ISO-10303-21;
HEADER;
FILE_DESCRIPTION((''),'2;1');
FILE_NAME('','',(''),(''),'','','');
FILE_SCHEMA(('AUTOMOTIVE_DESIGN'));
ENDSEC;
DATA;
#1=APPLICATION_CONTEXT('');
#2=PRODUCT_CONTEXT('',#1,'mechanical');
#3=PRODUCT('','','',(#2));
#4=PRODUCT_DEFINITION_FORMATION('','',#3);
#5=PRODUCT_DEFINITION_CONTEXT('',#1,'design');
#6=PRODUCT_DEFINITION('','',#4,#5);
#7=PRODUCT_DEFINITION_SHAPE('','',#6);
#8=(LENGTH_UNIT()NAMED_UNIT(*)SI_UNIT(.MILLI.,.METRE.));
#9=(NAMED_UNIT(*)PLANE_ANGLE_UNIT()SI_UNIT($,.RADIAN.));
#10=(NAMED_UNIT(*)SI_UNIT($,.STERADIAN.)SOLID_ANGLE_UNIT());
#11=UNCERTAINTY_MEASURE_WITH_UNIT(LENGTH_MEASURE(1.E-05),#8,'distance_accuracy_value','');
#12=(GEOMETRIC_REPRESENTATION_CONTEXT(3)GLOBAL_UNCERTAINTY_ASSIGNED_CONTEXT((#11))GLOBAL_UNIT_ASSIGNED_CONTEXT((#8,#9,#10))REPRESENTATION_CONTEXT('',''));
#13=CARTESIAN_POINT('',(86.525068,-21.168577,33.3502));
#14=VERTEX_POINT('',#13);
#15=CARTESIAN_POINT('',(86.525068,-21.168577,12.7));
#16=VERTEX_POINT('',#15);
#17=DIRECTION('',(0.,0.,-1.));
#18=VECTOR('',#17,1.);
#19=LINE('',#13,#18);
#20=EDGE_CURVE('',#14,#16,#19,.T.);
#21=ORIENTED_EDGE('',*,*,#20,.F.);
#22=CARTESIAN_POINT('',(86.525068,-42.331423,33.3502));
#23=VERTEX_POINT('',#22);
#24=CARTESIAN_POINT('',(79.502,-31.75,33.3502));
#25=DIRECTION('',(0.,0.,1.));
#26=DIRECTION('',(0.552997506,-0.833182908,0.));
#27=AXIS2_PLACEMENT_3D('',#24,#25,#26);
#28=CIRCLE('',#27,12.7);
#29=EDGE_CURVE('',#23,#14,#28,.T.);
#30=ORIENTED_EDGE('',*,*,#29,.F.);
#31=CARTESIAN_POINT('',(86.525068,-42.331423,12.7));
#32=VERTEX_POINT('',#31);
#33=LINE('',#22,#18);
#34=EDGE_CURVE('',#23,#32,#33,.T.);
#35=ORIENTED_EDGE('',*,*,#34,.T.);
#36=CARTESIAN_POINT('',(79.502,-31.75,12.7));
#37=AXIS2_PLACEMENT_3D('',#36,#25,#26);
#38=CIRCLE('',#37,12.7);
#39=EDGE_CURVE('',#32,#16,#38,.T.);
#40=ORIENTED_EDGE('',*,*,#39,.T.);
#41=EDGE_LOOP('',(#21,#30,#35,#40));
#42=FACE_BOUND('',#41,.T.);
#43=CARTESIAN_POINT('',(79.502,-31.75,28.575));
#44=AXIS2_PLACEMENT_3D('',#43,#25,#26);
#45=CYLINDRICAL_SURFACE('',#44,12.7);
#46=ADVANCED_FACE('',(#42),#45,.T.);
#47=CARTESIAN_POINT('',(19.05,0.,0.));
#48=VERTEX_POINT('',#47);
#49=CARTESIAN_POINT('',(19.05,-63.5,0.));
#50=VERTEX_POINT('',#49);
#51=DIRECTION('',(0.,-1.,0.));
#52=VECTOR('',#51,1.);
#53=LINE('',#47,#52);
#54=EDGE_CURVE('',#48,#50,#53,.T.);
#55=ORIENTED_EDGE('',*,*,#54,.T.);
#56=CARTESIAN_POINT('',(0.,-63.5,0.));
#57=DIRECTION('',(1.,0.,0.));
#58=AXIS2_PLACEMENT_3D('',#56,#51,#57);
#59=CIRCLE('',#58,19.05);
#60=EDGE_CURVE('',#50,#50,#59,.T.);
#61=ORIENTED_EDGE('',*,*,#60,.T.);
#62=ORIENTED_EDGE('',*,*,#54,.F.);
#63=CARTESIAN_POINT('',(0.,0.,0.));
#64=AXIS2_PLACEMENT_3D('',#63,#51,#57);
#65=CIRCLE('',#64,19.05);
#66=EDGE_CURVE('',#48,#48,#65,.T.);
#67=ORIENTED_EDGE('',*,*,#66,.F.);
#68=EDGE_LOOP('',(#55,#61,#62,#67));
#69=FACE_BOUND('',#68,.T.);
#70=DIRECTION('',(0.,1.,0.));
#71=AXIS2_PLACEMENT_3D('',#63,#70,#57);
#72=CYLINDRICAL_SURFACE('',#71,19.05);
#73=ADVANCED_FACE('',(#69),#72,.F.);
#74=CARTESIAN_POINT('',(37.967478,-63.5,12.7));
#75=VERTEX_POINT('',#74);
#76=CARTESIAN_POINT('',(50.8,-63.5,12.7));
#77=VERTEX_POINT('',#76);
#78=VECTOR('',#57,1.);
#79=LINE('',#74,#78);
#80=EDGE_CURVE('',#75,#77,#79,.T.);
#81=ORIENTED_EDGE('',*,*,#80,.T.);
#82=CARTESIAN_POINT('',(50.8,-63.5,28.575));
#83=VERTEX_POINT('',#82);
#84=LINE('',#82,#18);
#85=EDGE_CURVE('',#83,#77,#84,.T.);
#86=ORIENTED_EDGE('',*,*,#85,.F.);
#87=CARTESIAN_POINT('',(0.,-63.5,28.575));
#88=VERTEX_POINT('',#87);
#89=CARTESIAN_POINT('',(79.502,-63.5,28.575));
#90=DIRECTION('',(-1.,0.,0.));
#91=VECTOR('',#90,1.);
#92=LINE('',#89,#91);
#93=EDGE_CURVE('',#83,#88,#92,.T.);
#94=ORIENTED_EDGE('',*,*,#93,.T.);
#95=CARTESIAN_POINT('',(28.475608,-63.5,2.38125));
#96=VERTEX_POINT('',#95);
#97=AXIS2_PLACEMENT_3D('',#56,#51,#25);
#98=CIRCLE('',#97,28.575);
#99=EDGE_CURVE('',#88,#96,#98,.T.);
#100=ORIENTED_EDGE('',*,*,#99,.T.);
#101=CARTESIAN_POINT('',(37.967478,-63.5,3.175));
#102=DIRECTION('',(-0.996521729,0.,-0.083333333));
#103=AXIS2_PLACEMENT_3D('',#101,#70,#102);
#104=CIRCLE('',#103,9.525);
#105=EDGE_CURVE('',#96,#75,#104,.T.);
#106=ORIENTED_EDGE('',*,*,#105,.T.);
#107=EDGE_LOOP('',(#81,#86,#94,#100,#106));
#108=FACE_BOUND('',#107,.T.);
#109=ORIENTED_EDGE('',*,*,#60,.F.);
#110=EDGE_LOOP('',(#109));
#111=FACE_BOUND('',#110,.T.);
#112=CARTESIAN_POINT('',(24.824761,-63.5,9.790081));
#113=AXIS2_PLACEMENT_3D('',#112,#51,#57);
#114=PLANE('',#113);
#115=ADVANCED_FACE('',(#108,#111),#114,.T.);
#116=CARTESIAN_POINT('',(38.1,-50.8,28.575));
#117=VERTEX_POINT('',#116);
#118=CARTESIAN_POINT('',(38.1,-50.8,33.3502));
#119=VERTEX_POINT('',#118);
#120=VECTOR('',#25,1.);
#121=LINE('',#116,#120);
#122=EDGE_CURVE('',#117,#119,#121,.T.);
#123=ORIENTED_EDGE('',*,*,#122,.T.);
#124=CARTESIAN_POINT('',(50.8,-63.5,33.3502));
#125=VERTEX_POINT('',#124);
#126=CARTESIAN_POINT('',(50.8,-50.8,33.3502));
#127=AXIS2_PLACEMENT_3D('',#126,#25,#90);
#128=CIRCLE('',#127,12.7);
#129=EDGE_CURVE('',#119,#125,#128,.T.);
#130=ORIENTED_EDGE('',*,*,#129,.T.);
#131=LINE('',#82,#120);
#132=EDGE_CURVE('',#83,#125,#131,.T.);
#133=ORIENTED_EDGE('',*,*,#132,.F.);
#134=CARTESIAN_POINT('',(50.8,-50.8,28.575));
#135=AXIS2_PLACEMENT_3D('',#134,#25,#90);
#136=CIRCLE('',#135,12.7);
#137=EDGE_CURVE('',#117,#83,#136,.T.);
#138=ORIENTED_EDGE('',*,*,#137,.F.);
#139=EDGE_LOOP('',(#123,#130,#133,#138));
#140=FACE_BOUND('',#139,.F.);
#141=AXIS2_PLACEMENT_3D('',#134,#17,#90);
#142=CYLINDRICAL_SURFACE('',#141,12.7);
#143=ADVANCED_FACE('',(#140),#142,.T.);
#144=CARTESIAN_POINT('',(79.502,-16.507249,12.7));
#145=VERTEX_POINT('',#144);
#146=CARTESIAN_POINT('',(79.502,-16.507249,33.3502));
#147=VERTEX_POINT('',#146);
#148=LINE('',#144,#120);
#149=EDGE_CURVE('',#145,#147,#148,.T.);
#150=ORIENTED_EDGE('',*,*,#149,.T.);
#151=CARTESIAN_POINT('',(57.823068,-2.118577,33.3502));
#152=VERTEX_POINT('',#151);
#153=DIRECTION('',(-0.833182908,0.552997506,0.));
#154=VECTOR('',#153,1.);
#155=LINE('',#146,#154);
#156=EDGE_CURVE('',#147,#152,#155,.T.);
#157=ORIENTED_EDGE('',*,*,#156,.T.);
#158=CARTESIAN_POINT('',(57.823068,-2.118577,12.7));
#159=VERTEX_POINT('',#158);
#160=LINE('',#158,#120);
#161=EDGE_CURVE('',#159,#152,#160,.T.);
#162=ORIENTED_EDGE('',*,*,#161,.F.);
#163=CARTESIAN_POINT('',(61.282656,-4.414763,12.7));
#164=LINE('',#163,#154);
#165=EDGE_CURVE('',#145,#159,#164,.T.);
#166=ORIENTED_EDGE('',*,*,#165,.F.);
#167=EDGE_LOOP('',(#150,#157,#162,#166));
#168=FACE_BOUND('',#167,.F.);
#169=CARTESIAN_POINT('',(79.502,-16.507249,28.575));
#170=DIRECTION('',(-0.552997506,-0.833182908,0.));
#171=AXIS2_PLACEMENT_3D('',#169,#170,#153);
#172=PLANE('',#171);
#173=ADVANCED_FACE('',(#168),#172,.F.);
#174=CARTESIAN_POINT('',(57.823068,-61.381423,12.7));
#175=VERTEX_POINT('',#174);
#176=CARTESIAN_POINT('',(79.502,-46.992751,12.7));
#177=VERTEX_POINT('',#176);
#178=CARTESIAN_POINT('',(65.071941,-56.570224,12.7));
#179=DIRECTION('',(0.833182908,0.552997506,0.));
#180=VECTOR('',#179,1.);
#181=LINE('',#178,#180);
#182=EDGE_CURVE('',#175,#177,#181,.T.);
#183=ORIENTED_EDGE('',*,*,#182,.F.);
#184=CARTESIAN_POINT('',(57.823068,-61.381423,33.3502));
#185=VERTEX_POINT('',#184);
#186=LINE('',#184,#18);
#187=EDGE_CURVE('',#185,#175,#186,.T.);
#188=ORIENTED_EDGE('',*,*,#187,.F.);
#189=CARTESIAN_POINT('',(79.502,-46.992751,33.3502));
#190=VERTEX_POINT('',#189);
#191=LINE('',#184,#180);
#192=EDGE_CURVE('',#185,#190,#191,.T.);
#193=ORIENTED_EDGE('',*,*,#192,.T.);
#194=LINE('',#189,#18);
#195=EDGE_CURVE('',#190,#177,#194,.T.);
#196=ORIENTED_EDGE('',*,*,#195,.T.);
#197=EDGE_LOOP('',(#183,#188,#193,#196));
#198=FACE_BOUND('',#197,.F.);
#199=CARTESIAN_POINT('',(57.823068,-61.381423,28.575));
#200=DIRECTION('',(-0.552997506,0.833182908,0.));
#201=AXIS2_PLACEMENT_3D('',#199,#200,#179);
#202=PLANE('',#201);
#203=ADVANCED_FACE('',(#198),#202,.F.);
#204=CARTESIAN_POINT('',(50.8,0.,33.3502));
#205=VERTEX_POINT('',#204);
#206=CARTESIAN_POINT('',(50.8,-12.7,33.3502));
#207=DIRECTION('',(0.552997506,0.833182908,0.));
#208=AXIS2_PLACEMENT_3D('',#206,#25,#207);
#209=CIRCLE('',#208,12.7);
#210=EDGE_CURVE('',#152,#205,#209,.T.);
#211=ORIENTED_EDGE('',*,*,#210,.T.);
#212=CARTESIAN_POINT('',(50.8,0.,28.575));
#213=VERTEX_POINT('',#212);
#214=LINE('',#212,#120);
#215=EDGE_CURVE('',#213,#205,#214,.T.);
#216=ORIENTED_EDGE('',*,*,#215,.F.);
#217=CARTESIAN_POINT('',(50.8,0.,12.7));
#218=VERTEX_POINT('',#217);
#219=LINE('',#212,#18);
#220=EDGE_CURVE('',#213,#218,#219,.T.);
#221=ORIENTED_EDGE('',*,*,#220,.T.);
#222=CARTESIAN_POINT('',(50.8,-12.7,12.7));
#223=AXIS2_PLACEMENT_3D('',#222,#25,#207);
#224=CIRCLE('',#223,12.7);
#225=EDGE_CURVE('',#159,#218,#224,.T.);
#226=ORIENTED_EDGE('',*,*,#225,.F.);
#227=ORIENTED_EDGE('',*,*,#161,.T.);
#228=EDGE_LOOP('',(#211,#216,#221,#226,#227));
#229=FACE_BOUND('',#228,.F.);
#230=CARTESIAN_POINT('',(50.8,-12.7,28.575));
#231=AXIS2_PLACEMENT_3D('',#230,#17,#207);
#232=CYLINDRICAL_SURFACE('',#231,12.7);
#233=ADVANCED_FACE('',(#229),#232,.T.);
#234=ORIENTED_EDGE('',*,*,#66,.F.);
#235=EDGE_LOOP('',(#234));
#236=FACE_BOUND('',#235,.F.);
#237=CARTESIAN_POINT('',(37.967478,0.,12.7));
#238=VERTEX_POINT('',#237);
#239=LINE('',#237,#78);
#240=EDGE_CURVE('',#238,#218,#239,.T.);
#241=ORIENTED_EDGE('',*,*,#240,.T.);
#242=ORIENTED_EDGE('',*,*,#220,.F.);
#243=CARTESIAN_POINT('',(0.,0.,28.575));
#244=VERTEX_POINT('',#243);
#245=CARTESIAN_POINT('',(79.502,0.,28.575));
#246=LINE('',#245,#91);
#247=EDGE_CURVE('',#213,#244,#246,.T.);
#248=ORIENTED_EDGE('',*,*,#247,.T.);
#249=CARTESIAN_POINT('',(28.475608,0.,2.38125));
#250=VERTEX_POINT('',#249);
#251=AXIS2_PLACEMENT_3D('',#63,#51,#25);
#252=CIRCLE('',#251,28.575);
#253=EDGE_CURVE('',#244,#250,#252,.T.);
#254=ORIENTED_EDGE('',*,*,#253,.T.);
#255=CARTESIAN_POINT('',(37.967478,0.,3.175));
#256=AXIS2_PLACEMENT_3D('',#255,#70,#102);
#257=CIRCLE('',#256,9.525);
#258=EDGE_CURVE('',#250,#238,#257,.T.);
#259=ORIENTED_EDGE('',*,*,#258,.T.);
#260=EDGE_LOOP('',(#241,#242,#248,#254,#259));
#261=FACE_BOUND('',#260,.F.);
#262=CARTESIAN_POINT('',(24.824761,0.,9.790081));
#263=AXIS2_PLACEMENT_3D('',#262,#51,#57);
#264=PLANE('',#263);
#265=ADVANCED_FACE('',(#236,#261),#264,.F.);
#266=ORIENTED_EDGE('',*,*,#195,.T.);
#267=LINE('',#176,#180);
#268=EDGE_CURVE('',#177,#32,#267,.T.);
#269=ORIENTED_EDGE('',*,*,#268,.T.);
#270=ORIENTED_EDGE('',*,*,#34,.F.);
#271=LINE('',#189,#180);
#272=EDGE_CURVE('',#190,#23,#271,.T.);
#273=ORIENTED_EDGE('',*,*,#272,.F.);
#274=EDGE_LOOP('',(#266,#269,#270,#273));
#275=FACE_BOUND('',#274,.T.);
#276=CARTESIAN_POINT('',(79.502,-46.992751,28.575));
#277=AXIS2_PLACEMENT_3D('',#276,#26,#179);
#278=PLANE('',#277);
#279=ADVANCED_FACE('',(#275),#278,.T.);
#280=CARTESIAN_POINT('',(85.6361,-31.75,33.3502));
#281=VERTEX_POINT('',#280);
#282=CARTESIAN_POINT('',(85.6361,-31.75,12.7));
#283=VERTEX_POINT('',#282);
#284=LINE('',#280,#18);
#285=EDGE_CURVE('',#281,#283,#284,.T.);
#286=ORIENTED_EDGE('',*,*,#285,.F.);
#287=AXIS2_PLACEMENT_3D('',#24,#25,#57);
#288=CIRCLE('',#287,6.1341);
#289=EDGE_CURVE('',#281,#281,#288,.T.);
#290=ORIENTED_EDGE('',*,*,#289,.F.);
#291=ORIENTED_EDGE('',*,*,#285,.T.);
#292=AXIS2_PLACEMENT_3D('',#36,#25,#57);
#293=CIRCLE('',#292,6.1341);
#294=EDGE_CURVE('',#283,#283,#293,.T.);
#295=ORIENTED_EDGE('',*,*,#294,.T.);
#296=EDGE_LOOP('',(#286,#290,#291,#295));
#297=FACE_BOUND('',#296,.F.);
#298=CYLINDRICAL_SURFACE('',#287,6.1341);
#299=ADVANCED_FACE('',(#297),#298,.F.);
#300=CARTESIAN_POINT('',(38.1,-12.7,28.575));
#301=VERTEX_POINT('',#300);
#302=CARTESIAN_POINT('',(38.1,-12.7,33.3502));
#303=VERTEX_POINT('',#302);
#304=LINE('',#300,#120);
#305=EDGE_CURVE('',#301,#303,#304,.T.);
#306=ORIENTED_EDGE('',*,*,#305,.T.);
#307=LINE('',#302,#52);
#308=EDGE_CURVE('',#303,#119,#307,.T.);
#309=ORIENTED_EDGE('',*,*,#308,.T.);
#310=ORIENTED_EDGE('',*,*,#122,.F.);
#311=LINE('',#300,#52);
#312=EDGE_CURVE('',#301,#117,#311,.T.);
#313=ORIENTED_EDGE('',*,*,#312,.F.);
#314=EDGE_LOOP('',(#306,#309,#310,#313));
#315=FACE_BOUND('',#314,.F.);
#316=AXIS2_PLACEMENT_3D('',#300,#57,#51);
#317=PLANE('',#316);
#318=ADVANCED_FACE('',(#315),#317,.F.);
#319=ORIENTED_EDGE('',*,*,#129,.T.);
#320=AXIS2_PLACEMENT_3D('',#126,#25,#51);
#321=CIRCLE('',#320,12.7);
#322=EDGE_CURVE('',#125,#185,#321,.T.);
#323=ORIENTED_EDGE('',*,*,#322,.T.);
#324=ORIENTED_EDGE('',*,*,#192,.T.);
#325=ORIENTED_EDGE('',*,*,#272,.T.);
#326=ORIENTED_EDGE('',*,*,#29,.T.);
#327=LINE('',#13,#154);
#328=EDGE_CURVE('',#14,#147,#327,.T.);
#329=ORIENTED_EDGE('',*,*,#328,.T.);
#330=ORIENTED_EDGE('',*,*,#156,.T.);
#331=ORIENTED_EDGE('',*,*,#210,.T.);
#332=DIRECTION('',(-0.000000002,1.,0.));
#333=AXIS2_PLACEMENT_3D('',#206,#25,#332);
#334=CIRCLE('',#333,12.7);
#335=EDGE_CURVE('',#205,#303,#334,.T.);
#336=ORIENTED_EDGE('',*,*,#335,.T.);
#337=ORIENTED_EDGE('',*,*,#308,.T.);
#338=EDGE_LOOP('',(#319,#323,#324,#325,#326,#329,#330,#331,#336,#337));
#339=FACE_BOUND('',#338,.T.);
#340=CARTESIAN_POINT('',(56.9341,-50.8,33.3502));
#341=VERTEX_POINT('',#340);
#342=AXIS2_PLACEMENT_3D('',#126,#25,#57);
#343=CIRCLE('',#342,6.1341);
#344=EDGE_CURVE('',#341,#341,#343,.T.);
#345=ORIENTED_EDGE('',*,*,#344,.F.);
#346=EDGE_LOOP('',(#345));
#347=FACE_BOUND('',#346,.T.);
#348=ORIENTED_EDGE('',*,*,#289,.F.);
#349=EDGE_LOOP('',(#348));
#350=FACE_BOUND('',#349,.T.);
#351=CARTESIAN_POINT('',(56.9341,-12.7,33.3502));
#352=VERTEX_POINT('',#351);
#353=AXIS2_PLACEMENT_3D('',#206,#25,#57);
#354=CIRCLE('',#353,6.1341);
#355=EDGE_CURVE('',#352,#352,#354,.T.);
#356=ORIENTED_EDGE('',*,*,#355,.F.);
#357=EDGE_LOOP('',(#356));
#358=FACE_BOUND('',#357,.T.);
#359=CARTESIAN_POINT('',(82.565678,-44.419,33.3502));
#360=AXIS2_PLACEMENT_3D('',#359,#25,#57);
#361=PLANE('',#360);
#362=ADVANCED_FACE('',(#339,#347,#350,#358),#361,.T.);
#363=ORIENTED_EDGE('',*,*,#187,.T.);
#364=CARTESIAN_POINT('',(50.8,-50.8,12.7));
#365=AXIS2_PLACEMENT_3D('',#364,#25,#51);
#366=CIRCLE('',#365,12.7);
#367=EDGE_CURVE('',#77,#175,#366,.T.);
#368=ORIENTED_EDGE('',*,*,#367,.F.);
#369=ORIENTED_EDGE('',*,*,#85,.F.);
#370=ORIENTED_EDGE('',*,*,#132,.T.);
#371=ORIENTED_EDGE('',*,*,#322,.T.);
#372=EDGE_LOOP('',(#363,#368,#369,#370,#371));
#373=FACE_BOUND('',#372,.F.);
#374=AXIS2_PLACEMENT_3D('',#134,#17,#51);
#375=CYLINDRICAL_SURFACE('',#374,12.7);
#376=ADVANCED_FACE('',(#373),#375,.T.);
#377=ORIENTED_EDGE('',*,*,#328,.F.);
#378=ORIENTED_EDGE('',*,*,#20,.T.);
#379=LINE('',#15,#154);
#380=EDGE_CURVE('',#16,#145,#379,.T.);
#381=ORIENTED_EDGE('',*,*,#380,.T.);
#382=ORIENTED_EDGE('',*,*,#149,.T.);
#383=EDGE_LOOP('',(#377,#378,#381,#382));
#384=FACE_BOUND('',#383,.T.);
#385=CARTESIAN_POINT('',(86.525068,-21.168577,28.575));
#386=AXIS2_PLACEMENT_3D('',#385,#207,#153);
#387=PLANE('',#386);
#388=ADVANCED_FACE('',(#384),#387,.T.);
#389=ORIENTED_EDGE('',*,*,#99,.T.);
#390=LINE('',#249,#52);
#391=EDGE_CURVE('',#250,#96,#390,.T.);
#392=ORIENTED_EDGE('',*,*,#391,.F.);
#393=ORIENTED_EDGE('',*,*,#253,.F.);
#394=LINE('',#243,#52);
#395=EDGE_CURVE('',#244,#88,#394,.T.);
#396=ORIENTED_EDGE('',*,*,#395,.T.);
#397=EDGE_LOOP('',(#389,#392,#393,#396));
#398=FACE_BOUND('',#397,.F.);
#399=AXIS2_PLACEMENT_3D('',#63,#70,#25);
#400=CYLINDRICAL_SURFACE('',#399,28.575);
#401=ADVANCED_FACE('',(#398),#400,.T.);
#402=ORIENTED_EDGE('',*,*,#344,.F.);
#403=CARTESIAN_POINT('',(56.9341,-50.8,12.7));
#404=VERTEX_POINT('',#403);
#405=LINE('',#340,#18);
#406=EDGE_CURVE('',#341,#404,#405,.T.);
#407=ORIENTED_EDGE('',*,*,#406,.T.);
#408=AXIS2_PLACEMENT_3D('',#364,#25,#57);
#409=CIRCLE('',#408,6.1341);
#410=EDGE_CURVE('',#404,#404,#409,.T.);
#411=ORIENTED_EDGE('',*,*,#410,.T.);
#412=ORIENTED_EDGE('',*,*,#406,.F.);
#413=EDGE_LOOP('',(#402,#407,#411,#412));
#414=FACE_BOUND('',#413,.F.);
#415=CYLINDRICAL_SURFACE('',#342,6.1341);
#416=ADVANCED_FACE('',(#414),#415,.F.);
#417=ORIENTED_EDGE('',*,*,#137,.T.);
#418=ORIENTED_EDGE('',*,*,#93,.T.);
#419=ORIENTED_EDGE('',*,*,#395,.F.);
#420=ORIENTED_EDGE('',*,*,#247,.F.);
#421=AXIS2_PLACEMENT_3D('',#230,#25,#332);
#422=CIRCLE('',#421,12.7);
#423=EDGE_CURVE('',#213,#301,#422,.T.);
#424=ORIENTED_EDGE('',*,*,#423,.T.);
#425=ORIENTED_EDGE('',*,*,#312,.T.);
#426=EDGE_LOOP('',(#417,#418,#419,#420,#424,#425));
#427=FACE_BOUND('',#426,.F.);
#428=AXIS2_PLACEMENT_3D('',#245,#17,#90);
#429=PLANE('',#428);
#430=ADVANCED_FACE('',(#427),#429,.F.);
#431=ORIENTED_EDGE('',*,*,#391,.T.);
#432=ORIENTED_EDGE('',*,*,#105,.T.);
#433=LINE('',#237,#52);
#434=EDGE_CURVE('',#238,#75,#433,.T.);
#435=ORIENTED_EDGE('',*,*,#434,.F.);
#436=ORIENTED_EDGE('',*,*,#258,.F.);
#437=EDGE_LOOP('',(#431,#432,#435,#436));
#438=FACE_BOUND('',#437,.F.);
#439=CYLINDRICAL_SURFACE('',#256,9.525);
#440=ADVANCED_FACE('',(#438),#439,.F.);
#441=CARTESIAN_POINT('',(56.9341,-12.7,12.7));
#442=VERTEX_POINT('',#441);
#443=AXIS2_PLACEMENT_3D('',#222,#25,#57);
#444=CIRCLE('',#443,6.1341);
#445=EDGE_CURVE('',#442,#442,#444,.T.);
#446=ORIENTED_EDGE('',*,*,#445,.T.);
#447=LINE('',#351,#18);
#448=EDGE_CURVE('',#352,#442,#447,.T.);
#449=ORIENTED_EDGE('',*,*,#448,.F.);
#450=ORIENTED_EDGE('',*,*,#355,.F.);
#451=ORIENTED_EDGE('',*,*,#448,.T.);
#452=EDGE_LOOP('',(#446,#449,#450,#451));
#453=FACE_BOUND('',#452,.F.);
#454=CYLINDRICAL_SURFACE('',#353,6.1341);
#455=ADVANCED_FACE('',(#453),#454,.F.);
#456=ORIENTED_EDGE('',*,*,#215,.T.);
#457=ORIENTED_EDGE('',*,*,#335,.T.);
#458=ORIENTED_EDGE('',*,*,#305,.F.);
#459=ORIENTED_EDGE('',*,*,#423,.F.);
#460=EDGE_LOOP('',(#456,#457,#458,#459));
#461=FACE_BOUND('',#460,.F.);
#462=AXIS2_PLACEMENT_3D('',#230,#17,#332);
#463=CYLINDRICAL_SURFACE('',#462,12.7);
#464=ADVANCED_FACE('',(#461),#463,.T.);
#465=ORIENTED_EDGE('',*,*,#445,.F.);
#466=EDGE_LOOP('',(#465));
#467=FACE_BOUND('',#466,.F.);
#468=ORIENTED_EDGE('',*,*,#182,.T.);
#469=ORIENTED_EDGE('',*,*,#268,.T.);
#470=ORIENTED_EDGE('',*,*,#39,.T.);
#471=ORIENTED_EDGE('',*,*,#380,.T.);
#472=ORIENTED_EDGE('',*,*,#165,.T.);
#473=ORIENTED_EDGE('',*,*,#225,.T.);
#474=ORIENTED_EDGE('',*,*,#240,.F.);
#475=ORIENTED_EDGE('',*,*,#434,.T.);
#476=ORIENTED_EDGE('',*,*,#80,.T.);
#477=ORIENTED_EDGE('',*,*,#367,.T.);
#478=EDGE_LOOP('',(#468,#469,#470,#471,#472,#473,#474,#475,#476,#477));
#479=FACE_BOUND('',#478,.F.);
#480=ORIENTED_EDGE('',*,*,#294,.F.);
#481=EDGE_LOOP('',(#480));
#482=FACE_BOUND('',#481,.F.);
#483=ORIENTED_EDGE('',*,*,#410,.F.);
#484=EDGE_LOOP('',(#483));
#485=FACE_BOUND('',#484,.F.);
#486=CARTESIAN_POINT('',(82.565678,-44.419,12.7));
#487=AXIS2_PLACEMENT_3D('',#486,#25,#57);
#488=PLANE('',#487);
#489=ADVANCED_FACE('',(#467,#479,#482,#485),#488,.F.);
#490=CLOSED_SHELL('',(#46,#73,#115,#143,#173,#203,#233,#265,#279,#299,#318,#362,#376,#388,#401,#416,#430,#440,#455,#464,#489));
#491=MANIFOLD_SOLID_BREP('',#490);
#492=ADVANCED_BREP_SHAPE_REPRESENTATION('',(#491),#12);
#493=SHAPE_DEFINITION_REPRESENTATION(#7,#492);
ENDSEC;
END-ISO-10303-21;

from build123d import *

# Parameters (mm, degrees)
F0_R     = 19.05
F1_DEPTH = 63.5
F2_DEPTH = 63.5
F4_DEPTH = 4.7752
F5_DEPTH = 25.4
F6_DEPTH = 15.875
F7_R     = 6.1341
F8_DEPTH = 25.4


with BuildPart() as f1:
    # F0 (on Front) → F1 (new body)
    with BuildSketch(Plane.XZ):
        with BuildLine():
            Line((79.502, 28.575), (0, 28.575))
            ThreePointArc((0, 28.575), (-19.345366451, -21.0306305629), (28.4756083945, 2.38125))
            ThreePointArc((28.4756083945, 2.38125), (30.9572676717, 9.6234554837), (37.9674778593, 12.7))
            Line((37.9674778593, 12.7), (79.502, 12.7))
            Line((79.502, 12.7), (79.502, 28.575))
        make_face()
        Circle(F0_R, mode=Mode.SUBTRACT)
    extrude(amount=F1_DEPTH)

    # F0 (on Front) → F2 (join)
    with BuildSketch(Plane.XZ):
        with BuildLine():
            Line((79.502, 28.575), (0, 28.575))
            ThreePointArc((0, 28.575), (-19.345366451, -21.0306305629), (28.4756083945, 2.38125))
            ThreePointArc((28.4756083945, 2.38125), (30.9572676717, 9.6234554837), (37.9674778593, 12.7))
            Line((37.9674778593, 12.7), (79.502, 12.7))
            Line((79.502, 12.7), (79.502, 28.575))
        make_face()
        Circle(F0_R, mode=Mode.SUBTRACT)
    extrude(amount=F2_DEPTH)

    # F3 (on face) → F4 (join)
    with BuildSketch(Plane.XY.offset(28.575)):
        with BuildLine():
            ThreePointArc((86.5250683207, -42.3314229366), (83.1698282884, -43.9088254222), (79.502, -44.45))
            Line((79.502, -44.45), (79.502, -46.992751468))
            Line((79.502, -46.992751468), (86.5250683207, -42.3314229366))
        make_face()
        with BuildLine():
            Line((86.5250683207, -21.1685770634), (79.502, -16.507248532))
            Line((79.502, -16.507248532), (79.502, -19.05))
            ThreePointArc((79.502, -19.05), (83.1698282884, -19.5911745778), (86.5250683207, -21.1685770634))
        make_face()
        with BuildLine():
            ThreePointArc((86.5250683207, -21.1685770634), (83.1698282884, -19.5911745778), (79.502, -19.05))
            Line((79.502, -19.05), (79.502, -44.45))
            ThreePointArc((79.502, -44.45), (83.1698282884, -43.9088254222), (86.5250683207, -42.3314229366))
            ThreePointArc((86.5250683207, -42.3314229366), (92.202, -31.75), (86.5250683207, -21.1685770634))
        make_face()
        with BuildLine():
            ThreePointArc((57.8230683207, -2.1185770634), (54.467828274, -0.5411745735), (50.7999999699, 0))
            ThreePointArc((50.7999999699, 0), (41.8197438683, -3.7197438896), (38.1, -12.7))
            Line((38.1, -12.7), (38.1, -50.8))
            ThreePointArc((38.1, -50.8), (41.8197438789, -59.7802561211), (50.8, -63.5))
            ThreePointArc((50.8, -63.5), (54.4678282884, -62.9588254222), (57.8230683207, -61.3814229366))
            Line((57.8230683207, -61.3814229366), (79.502, -46.992751468))
            Line((79.502, -46.992751468), (79.502, -44.45))
            Line((79.502, -44.45), (79.502, -19.05))
            Line((79.502, -19.05), (79.502, -16.507248532))
            Line((79.502, -16.507248532), (57.8230683207, -2.1185770634))
        make_face()
    extrude(amount=F4_DEPTH)

    # F5 (cut): faces of the model
    f5_faces = [f1.faces().sort_by_distance(p)[0] for p in [
        (71.0984865621, -5.4680526569, 28.575),
        (71.0984865621, -58.0319473431, 28.575),
    ]]
    extrude(f5_faces, amount=-F5_DEPTH, mode=Mode.SUBTRACT)

    # F6 (add): a face of the model
    f6_faces = [f1.faces().sort_by_distance(p)[0] for p in [
        (84.7235761058, -31.75, 28.575),
    ]]
    extrude(f6_faces, amount=F6_DEPTH)

    # F7 (on face) → F8 (cut)
    with BuildSketch(Plane.XY.offset(33.3502)):
        with Locations((50.8, -12.7)):
            Circle(F7_R)
        with Locations((79.502, -31.75)):
            Circle(F7_R)
        with Locations((50.8, -50.8)):
            Circle(F7_R)
    extrude(amount=-F8_DEPTH, mode=Mode.SUBTRACT)


solid = f1.part
